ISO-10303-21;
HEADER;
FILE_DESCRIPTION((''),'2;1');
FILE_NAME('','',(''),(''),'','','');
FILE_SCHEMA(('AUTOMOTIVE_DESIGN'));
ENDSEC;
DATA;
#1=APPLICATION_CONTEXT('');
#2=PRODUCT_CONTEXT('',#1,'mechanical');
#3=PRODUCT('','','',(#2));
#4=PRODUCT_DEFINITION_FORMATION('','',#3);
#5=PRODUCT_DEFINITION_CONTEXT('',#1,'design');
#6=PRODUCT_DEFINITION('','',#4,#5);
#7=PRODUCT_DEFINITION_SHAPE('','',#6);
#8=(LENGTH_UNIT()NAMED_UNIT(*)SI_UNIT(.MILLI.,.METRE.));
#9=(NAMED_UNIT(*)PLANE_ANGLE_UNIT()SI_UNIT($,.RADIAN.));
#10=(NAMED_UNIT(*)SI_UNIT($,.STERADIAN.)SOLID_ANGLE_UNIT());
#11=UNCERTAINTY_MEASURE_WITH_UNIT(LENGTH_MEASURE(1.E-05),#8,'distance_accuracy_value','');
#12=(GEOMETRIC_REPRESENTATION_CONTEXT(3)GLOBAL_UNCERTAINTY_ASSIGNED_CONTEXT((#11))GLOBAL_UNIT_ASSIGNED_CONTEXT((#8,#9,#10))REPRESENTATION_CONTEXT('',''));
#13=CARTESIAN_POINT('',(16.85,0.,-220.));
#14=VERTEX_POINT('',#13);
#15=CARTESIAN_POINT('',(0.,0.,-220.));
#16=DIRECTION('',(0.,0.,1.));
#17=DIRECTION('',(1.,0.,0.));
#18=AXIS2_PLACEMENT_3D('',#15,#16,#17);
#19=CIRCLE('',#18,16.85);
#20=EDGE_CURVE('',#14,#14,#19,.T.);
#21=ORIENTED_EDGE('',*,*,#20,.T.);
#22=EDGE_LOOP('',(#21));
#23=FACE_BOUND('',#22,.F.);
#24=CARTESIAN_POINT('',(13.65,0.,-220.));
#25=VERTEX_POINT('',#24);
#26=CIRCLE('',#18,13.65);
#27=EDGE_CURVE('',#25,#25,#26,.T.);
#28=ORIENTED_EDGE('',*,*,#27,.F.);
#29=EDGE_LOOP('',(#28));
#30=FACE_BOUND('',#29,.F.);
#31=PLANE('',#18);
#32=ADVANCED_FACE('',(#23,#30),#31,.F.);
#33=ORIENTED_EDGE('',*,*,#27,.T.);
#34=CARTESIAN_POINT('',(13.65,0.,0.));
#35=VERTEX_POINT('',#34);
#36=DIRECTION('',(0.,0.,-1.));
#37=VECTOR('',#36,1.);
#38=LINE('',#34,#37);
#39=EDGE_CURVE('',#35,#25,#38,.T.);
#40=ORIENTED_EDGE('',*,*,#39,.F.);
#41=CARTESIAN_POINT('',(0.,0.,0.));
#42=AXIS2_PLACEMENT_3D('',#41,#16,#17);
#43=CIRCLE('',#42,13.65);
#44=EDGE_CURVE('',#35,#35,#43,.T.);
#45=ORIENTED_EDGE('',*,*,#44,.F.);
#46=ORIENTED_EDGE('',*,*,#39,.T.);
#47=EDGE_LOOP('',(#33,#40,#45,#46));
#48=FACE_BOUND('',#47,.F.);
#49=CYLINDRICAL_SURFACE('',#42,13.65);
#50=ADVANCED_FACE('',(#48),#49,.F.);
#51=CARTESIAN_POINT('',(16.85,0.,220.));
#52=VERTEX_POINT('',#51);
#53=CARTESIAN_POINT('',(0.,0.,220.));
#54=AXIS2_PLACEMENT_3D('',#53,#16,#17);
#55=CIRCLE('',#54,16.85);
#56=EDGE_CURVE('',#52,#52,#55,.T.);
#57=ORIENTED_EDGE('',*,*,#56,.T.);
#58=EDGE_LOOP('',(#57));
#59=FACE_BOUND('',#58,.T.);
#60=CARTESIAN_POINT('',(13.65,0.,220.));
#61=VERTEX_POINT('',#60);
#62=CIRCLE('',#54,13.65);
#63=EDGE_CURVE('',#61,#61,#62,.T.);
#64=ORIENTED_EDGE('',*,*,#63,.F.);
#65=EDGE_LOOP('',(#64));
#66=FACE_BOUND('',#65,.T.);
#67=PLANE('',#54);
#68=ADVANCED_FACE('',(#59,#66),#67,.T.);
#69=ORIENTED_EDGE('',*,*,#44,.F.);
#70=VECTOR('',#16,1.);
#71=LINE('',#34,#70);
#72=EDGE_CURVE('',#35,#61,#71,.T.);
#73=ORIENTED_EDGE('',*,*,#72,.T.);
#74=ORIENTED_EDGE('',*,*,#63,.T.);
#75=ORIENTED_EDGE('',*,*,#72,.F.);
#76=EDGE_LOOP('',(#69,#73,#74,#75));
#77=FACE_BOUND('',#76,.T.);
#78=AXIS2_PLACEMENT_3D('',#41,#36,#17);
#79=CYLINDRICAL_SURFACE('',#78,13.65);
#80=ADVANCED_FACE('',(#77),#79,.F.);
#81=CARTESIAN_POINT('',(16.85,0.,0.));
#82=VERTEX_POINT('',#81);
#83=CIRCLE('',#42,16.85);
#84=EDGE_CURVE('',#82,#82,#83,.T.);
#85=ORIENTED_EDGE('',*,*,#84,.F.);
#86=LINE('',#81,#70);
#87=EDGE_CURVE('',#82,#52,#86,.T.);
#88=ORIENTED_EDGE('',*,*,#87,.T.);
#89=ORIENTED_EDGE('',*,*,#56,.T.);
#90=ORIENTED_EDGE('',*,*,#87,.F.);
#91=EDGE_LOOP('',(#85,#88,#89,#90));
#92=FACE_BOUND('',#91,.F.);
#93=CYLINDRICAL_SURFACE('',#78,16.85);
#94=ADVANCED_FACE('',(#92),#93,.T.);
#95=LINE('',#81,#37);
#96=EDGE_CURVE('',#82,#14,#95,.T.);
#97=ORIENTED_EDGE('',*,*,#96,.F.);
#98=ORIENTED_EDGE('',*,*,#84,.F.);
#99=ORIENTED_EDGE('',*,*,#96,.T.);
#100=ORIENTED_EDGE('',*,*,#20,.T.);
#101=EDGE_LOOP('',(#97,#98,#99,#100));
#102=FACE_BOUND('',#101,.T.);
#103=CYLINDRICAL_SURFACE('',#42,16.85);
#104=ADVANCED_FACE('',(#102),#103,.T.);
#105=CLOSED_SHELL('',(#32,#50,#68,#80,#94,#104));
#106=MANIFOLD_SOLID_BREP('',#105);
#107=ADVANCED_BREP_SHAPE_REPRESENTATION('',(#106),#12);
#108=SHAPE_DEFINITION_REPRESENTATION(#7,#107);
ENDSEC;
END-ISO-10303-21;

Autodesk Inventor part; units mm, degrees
ref_plane "YZ Plane" through (0, 0, 0) normal (1, 0, 0) x (0, 1, 0)
ref_plane "XZ Plane" through (0, 0, 0) normal (0, 1, 0) x (-1, 0, 0)
ref_plane "XY Plane" through (0, 0, 0) normal (0, 0, 1) x (1, 0, 0)
sketch "Sketch1" plane through (0, 0, 0) normal (0, 0, 1) x (1, 0, 0)
  circle A0 centre (0, 0) radius 16.85
  circle A1 centre (0, 0) radius 13.65
  dimension "OD" = 33.7
  dimension "t" = 3.2
extrude "Extrusion1" add sketch "Sketch1" along normal mid plane 440
equation "\"size\" = 6"
properties part number "ST" material "Aluminium 6082 T6"
